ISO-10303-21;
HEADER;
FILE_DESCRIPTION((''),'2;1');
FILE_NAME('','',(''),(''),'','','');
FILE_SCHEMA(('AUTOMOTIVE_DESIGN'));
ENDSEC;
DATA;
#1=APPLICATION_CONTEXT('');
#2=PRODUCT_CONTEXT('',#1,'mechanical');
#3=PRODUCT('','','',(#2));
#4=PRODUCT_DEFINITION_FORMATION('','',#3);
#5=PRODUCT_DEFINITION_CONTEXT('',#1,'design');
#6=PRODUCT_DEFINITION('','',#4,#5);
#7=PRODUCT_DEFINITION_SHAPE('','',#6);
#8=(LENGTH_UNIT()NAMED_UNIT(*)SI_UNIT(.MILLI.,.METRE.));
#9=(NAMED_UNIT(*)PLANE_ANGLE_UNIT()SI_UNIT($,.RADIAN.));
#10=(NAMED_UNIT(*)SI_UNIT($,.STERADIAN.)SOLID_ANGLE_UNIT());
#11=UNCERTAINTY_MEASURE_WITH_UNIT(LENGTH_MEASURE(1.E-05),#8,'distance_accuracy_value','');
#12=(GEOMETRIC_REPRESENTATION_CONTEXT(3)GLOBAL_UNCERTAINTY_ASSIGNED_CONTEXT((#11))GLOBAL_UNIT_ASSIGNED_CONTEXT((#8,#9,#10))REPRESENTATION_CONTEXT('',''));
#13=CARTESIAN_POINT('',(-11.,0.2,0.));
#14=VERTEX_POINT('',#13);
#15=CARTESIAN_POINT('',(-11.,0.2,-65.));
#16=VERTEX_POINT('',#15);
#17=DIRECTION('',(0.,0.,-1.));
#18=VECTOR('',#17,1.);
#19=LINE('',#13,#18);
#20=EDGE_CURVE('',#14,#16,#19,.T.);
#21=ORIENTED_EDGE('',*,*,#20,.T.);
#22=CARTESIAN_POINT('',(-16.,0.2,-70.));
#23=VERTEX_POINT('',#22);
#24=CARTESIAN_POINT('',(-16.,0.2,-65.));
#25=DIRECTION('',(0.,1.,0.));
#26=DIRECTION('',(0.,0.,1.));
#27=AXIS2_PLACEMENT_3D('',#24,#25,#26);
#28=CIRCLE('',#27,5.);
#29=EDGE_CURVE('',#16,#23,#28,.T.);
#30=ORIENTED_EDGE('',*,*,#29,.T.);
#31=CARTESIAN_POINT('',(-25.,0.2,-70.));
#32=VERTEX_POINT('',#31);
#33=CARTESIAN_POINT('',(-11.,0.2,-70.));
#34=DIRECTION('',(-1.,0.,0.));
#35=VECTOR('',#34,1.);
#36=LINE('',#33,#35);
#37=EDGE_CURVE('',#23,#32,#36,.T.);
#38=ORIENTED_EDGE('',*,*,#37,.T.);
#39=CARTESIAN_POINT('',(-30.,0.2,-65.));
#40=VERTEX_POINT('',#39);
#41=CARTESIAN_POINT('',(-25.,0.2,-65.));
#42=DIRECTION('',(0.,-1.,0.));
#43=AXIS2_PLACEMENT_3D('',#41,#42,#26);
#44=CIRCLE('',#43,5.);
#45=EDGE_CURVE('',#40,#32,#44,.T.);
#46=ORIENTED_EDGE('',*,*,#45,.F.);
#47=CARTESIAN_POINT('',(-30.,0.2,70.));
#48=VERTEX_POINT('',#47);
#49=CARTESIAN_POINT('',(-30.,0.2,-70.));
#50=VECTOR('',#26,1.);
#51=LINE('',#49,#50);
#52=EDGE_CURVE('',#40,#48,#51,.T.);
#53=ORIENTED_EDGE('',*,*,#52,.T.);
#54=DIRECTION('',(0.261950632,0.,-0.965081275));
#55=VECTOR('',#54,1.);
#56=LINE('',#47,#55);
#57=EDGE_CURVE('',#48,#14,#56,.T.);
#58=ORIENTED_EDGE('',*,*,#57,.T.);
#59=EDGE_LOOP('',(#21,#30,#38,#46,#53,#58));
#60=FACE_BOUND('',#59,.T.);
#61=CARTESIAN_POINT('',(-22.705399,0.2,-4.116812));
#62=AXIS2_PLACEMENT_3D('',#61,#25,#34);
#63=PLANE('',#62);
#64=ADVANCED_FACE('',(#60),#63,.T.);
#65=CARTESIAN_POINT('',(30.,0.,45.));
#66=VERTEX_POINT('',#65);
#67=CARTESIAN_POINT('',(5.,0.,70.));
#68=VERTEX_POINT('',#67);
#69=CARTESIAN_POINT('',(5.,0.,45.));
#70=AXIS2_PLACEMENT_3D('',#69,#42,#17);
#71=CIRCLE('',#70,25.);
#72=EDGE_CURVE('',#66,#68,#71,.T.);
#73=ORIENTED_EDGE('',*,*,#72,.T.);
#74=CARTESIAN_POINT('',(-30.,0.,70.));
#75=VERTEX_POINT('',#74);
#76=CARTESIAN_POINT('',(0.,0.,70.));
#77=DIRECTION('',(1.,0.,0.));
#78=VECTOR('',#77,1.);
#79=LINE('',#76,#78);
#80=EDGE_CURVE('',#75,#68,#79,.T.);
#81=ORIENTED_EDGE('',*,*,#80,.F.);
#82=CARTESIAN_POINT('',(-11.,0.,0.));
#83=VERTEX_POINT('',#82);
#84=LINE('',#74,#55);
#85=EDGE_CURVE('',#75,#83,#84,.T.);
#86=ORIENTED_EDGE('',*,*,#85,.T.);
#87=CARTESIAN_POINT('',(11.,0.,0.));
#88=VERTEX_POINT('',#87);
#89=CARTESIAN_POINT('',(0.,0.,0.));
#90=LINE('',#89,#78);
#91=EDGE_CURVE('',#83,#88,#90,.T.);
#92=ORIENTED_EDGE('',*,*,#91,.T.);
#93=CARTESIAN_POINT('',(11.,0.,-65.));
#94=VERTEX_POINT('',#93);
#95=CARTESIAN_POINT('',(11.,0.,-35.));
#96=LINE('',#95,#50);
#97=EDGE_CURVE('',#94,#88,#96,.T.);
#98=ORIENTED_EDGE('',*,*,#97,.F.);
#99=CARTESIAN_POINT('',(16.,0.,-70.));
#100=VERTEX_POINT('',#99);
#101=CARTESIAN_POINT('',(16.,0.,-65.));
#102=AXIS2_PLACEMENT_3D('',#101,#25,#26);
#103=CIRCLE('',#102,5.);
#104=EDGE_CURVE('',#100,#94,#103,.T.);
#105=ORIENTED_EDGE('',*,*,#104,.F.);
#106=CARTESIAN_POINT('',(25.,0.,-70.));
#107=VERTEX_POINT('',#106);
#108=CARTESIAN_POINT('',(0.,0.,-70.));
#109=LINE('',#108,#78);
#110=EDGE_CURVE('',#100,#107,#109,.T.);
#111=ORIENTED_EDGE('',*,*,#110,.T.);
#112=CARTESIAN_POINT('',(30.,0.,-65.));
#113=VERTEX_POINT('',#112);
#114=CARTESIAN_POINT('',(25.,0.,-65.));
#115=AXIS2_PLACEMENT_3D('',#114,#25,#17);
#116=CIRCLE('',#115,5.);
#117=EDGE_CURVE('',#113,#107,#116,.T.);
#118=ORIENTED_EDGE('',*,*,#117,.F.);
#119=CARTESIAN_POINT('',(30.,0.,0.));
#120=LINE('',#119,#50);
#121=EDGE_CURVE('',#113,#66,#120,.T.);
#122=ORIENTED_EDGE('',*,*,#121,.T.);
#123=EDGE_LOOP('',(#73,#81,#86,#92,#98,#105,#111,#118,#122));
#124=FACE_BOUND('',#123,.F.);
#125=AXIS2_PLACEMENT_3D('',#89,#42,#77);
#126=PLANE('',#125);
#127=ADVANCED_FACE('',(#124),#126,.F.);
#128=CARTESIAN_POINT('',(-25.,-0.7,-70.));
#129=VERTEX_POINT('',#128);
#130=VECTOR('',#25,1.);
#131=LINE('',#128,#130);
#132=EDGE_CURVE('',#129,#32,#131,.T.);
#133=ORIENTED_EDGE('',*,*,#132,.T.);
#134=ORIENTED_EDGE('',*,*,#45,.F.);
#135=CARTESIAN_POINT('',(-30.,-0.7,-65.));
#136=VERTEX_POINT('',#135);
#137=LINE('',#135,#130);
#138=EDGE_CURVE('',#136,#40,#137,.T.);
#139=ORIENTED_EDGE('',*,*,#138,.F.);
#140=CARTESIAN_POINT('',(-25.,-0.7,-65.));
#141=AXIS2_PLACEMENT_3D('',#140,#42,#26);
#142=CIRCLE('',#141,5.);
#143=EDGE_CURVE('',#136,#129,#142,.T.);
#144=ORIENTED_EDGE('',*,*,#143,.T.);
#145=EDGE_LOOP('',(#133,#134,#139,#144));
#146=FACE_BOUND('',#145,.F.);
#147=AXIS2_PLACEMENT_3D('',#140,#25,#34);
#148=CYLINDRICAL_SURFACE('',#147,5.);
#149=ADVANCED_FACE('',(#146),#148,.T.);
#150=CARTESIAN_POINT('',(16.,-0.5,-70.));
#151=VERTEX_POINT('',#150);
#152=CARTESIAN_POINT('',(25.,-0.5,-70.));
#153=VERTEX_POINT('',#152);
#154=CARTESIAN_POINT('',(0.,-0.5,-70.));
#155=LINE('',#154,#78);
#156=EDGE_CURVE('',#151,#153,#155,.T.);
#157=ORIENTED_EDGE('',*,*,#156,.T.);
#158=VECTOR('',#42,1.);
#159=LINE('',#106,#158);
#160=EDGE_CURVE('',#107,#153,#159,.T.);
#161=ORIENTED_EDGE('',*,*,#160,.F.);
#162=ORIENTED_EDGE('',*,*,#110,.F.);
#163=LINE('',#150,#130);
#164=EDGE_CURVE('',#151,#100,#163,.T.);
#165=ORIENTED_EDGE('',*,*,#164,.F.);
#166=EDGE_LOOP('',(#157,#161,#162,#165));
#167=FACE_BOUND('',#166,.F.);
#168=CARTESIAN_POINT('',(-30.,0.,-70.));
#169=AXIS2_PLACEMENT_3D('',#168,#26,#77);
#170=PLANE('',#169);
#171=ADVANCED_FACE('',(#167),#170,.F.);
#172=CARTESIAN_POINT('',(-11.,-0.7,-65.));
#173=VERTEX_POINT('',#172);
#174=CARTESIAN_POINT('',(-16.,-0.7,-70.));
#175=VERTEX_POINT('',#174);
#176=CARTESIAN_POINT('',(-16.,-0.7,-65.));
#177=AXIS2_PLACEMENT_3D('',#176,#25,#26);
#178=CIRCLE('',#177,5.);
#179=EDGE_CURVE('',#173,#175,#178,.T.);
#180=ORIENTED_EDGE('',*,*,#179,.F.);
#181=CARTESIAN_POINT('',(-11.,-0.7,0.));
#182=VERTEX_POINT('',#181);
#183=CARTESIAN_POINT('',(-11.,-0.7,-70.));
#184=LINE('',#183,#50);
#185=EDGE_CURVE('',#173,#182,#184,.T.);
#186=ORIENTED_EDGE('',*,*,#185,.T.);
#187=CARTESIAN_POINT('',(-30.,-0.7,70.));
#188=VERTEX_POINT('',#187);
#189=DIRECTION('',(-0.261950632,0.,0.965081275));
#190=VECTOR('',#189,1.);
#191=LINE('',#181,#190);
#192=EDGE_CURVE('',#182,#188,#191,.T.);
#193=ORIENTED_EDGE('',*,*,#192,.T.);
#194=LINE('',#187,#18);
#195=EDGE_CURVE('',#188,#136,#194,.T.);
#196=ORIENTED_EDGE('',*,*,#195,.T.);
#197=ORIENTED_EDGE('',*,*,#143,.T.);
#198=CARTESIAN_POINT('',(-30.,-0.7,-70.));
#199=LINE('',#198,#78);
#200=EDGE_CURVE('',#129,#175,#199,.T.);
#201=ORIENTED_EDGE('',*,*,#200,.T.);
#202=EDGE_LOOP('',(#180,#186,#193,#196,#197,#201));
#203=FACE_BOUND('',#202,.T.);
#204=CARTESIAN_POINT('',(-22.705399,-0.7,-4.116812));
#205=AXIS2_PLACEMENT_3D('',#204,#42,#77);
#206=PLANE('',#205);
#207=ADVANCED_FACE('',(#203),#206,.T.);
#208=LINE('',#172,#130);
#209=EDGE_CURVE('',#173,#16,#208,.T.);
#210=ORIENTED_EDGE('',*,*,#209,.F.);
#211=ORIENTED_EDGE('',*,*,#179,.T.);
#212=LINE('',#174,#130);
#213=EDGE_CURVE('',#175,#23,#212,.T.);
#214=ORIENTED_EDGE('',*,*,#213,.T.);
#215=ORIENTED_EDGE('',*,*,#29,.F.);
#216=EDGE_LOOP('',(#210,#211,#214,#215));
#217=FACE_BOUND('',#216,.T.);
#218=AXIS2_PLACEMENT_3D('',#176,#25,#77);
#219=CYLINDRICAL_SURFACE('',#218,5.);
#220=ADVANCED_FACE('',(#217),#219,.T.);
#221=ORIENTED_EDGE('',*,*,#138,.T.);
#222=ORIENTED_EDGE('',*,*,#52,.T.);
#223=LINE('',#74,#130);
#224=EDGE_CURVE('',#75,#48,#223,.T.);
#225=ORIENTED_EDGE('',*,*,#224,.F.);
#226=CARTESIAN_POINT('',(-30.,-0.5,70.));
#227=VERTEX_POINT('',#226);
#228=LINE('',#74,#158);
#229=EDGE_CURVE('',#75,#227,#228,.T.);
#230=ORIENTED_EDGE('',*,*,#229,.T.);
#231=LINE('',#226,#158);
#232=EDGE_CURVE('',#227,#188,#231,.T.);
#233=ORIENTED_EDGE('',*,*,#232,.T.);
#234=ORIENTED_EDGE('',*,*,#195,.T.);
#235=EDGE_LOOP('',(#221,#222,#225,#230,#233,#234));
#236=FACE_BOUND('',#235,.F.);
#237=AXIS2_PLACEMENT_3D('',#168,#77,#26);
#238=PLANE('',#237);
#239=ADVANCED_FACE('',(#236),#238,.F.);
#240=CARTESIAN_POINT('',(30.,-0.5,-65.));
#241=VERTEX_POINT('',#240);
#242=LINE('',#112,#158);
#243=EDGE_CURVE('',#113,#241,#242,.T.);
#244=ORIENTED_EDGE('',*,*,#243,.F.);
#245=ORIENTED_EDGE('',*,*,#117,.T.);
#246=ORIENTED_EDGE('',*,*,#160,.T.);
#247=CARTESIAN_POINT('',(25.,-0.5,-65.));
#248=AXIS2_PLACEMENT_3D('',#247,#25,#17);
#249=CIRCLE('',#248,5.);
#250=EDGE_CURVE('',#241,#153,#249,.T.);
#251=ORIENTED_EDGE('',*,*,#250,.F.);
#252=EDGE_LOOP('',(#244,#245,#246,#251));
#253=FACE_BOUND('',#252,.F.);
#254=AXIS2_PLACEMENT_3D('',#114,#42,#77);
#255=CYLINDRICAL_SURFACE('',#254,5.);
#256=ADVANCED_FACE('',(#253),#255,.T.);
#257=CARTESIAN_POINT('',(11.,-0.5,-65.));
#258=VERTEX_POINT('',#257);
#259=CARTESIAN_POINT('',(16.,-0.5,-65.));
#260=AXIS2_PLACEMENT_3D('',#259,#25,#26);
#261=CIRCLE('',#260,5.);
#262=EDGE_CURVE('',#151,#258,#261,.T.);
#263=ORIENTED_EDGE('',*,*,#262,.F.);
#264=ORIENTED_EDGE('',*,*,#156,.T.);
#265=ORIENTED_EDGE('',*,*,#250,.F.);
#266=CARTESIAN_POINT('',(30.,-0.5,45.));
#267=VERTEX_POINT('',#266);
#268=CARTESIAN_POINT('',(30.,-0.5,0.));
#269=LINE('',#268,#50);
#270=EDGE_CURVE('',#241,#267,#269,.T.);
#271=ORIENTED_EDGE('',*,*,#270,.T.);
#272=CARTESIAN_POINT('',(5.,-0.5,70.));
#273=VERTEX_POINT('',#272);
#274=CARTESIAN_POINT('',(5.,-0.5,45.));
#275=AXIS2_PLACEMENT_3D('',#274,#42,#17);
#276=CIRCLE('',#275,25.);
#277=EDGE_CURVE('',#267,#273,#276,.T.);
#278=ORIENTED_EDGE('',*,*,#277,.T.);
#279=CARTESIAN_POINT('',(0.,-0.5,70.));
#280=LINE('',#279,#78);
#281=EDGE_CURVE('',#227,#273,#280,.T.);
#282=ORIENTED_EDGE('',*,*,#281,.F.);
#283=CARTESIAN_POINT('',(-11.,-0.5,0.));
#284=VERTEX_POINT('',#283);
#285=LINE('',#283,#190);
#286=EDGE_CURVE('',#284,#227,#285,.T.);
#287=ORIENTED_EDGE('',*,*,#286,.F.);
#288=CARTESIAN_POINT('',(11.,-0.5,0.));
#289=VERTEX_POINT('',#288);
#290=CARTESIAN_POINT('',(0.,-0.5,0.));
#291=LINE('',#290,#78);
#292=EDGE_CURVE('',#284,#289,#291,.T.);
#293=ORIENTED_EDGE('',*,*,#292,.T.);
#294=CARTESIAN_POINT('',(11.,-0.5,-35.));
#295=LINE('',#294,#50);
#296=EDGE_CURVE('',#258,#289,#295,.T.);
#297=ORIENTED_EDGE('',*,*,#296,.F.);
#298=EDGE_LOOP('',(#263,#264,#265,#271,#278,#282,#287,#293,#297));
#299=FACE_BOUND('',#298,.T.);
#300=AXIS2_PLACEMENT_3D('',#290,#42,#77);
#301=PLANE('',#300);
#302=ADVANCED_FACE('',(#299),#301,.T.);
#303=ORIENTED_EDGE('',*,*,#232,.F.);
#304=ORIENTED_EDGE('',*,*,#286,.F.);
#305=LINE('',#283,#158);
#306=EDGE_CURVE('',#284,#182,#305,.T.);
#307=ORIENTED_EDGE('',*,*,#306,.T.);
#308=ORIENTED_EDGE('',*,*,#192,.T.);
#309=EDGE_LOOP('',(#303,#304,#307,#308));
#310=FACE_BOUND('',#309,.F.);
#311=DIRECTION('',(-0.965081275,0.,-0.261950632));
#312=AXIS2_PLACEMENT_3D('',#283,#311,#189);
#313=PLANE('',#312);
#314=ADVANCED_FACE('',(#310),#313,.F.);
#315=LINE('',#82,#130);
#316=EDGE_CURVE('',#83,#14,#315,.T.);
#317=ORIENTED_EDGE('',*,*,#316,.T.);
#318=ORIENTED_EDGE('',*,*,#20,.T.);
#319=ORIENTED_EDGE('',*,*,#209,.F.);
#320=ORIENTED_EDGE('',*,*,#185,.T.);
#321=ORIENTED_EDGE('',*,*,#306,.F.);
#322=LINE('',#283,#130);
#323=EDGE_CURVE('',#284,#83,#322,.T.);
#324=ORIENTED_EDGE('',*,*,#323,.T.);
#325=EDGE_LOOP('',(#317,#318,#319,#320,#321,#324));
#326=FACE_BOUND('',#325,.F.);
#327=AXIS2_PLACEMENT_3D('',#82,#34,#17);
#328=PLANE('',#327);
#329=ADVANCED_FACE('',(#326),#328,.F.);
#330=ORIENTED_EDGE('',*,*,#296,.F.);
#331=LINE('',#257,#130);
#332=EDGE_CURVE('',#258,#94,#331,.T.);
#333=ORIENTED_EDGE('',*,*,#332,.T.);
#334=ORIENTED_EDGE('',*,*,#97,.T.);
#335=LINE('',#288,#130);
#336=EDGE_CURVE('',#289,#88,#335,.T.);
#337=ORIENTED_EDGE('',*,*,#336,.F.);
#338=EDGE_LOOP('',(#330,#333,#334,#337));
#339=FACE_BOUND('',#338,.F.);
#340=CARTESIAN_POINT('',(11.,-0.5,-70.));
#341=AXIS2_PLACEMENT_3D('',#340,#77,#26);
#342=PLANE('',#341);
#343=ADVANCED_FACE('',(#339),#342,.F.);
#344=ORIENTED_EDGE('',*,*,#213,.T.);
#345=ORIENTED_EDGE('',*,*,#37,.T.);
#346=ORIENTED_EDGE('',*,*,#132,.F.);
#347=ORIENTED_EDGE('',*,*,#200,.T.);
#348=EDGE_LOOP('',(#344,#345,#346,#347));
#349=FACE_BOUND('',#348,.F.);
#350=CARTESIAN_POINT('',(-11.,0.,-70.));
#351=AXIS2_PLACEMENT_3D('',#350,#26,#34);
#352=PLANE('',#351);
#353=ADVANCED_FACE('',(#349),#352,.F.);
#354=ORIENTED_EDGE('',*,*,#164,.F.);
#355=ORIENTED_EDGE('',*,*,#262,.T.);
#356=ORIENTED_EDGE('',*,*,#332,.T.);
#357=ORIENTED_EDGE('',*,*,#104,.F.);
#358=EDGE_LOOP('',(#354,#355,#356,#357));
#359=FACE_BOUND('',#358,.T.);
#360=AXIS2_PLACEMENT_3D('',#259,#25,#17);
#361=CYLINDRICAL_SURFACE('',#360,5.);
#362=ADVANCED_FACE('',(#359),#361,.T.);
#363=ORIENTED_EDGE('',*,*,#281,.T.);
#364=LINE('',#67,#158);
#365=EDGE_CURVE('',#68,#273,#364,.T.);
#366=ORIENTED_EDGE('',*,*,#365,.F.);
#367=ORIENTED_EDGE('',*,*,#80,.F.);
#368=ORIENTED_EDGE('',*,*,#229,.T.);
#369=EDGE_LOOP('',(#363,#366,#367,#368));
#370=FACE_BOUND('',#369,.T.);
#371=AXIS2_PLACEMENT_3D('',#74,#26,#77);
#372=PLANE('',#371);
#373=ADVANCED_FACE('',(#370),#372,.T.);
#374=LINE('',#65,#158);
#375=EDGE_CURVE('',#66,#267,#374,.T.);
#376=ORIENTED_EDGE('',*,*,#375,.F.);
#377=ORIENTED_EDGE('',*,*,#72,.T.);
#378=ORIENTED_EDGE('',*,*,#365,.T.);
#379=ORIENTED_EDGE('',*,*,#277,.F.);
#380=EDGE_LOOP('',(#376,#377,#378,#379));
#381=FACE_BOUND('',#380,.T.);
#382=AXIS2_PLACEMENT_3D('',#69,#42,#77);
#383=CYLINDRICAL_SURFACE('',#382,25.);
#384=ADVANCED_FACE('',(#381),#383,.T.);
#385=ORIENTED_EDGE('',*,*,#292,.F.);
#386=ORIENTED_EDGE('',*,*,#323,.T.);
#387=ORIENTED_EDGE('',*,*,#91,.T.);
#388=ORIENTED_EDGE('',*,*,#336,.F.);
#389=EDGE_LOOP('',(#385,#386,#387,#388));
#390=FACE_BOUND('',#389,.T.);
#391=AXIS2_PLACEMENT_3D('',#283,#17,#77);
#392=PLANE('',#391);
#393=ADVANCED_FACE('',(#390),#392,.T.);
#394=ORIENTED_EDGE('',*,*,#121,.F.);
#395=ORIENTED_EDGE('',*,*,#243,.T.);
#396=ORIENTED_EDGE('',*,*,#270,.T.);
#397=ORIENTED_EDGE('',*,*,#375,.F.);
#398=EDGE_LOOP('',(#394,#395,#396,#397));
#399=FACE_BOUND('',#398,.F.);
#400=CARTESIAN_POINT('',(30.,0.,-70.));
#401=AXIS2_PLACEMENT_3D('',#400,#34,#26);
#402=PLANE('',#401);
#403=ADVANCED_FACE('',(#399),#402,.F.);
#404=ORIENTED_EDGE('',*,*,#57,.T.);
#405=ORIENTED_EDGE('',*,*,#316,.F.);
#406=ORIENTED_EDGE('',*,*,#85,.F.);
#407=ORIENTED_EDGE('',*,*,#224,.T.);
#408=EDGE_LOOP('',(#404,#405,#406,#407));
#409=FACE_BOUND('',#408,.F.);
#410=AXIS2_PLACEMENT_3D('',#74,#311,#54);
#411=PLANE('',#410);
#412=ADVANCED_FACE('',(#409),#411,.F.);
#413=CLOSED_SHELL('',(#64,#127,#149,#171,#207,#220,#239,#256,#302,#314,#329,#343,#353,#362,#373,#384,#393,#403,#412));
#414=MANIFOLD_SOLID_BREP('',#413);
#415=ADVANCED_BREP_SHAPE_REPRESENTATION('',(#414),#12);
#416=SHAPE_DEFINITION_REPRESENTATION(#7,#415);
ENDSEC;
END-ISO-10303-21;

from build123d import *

# Parameters (mm, degrees)
F0_W     = 60
F0_H     = 140
F1_DEPTH = 0.5
F2_W     = 22
F2_H     = 70
F3_DEPTH = 0.5
F5_DEPTH = 0.2
F7_DEPTH = 0.2
F8_R     = 25
F9_R     = 5


with BuildPart() as f1:
    # F0 (on Front) → F1 (new body)
    with BuildSketch(Plane.XZ):
        Rectangle(F0_W, F0_H)
    extrude(amount=F1_DEPTH)

    # F2 (on face) → F3 (cut, through all)
    with BuildSketch(Plane.XZ.offset(0.5)):
        with Locations((0, -35)):
            Rectangle(F2_W, F2_H)
    extrude(amount=-F3_DEPTH, mode=Mode.SUBTRACT)

    # F4 (on face) → F5 (join)
    with BuildSketch(Plane.XZ.offset(0.5)):
        Polygon((-30, 70), (-30, -70), (-11, -70), (-11, 0), align=None)
    extrude(amount=F5_DEPTH)

    # F6 (on face) → F7 (join)
    with BuildSketch(Plane(origin=(0, 0, 0), x_dir=(-1, 0, 0), z_dir=(0, 1, 0))):
        Polygon((11, 0), (11, -70), (30, -70), (30, 70), align=None)
    extrude(amount=F7_DEPTH)

    # F8
    f8_edges = [f1.edges().sort_by_distance(p)[0] for p in [
        (30, -0.25, 70),
    ]]
    fillet(f8_edges, radius=F8_R)

    # F9
    f9_edges = [f1.edges().sort_by_distance(p)[0] for p in [
        (-30, -0.25, -70),
        (-11, -0.25, -70),
        (11, -0.25, -70),
        (30, -0.25, -70),
    ]]
    fillet(f9_edges, radius=F9_R)


solid = f1.part
